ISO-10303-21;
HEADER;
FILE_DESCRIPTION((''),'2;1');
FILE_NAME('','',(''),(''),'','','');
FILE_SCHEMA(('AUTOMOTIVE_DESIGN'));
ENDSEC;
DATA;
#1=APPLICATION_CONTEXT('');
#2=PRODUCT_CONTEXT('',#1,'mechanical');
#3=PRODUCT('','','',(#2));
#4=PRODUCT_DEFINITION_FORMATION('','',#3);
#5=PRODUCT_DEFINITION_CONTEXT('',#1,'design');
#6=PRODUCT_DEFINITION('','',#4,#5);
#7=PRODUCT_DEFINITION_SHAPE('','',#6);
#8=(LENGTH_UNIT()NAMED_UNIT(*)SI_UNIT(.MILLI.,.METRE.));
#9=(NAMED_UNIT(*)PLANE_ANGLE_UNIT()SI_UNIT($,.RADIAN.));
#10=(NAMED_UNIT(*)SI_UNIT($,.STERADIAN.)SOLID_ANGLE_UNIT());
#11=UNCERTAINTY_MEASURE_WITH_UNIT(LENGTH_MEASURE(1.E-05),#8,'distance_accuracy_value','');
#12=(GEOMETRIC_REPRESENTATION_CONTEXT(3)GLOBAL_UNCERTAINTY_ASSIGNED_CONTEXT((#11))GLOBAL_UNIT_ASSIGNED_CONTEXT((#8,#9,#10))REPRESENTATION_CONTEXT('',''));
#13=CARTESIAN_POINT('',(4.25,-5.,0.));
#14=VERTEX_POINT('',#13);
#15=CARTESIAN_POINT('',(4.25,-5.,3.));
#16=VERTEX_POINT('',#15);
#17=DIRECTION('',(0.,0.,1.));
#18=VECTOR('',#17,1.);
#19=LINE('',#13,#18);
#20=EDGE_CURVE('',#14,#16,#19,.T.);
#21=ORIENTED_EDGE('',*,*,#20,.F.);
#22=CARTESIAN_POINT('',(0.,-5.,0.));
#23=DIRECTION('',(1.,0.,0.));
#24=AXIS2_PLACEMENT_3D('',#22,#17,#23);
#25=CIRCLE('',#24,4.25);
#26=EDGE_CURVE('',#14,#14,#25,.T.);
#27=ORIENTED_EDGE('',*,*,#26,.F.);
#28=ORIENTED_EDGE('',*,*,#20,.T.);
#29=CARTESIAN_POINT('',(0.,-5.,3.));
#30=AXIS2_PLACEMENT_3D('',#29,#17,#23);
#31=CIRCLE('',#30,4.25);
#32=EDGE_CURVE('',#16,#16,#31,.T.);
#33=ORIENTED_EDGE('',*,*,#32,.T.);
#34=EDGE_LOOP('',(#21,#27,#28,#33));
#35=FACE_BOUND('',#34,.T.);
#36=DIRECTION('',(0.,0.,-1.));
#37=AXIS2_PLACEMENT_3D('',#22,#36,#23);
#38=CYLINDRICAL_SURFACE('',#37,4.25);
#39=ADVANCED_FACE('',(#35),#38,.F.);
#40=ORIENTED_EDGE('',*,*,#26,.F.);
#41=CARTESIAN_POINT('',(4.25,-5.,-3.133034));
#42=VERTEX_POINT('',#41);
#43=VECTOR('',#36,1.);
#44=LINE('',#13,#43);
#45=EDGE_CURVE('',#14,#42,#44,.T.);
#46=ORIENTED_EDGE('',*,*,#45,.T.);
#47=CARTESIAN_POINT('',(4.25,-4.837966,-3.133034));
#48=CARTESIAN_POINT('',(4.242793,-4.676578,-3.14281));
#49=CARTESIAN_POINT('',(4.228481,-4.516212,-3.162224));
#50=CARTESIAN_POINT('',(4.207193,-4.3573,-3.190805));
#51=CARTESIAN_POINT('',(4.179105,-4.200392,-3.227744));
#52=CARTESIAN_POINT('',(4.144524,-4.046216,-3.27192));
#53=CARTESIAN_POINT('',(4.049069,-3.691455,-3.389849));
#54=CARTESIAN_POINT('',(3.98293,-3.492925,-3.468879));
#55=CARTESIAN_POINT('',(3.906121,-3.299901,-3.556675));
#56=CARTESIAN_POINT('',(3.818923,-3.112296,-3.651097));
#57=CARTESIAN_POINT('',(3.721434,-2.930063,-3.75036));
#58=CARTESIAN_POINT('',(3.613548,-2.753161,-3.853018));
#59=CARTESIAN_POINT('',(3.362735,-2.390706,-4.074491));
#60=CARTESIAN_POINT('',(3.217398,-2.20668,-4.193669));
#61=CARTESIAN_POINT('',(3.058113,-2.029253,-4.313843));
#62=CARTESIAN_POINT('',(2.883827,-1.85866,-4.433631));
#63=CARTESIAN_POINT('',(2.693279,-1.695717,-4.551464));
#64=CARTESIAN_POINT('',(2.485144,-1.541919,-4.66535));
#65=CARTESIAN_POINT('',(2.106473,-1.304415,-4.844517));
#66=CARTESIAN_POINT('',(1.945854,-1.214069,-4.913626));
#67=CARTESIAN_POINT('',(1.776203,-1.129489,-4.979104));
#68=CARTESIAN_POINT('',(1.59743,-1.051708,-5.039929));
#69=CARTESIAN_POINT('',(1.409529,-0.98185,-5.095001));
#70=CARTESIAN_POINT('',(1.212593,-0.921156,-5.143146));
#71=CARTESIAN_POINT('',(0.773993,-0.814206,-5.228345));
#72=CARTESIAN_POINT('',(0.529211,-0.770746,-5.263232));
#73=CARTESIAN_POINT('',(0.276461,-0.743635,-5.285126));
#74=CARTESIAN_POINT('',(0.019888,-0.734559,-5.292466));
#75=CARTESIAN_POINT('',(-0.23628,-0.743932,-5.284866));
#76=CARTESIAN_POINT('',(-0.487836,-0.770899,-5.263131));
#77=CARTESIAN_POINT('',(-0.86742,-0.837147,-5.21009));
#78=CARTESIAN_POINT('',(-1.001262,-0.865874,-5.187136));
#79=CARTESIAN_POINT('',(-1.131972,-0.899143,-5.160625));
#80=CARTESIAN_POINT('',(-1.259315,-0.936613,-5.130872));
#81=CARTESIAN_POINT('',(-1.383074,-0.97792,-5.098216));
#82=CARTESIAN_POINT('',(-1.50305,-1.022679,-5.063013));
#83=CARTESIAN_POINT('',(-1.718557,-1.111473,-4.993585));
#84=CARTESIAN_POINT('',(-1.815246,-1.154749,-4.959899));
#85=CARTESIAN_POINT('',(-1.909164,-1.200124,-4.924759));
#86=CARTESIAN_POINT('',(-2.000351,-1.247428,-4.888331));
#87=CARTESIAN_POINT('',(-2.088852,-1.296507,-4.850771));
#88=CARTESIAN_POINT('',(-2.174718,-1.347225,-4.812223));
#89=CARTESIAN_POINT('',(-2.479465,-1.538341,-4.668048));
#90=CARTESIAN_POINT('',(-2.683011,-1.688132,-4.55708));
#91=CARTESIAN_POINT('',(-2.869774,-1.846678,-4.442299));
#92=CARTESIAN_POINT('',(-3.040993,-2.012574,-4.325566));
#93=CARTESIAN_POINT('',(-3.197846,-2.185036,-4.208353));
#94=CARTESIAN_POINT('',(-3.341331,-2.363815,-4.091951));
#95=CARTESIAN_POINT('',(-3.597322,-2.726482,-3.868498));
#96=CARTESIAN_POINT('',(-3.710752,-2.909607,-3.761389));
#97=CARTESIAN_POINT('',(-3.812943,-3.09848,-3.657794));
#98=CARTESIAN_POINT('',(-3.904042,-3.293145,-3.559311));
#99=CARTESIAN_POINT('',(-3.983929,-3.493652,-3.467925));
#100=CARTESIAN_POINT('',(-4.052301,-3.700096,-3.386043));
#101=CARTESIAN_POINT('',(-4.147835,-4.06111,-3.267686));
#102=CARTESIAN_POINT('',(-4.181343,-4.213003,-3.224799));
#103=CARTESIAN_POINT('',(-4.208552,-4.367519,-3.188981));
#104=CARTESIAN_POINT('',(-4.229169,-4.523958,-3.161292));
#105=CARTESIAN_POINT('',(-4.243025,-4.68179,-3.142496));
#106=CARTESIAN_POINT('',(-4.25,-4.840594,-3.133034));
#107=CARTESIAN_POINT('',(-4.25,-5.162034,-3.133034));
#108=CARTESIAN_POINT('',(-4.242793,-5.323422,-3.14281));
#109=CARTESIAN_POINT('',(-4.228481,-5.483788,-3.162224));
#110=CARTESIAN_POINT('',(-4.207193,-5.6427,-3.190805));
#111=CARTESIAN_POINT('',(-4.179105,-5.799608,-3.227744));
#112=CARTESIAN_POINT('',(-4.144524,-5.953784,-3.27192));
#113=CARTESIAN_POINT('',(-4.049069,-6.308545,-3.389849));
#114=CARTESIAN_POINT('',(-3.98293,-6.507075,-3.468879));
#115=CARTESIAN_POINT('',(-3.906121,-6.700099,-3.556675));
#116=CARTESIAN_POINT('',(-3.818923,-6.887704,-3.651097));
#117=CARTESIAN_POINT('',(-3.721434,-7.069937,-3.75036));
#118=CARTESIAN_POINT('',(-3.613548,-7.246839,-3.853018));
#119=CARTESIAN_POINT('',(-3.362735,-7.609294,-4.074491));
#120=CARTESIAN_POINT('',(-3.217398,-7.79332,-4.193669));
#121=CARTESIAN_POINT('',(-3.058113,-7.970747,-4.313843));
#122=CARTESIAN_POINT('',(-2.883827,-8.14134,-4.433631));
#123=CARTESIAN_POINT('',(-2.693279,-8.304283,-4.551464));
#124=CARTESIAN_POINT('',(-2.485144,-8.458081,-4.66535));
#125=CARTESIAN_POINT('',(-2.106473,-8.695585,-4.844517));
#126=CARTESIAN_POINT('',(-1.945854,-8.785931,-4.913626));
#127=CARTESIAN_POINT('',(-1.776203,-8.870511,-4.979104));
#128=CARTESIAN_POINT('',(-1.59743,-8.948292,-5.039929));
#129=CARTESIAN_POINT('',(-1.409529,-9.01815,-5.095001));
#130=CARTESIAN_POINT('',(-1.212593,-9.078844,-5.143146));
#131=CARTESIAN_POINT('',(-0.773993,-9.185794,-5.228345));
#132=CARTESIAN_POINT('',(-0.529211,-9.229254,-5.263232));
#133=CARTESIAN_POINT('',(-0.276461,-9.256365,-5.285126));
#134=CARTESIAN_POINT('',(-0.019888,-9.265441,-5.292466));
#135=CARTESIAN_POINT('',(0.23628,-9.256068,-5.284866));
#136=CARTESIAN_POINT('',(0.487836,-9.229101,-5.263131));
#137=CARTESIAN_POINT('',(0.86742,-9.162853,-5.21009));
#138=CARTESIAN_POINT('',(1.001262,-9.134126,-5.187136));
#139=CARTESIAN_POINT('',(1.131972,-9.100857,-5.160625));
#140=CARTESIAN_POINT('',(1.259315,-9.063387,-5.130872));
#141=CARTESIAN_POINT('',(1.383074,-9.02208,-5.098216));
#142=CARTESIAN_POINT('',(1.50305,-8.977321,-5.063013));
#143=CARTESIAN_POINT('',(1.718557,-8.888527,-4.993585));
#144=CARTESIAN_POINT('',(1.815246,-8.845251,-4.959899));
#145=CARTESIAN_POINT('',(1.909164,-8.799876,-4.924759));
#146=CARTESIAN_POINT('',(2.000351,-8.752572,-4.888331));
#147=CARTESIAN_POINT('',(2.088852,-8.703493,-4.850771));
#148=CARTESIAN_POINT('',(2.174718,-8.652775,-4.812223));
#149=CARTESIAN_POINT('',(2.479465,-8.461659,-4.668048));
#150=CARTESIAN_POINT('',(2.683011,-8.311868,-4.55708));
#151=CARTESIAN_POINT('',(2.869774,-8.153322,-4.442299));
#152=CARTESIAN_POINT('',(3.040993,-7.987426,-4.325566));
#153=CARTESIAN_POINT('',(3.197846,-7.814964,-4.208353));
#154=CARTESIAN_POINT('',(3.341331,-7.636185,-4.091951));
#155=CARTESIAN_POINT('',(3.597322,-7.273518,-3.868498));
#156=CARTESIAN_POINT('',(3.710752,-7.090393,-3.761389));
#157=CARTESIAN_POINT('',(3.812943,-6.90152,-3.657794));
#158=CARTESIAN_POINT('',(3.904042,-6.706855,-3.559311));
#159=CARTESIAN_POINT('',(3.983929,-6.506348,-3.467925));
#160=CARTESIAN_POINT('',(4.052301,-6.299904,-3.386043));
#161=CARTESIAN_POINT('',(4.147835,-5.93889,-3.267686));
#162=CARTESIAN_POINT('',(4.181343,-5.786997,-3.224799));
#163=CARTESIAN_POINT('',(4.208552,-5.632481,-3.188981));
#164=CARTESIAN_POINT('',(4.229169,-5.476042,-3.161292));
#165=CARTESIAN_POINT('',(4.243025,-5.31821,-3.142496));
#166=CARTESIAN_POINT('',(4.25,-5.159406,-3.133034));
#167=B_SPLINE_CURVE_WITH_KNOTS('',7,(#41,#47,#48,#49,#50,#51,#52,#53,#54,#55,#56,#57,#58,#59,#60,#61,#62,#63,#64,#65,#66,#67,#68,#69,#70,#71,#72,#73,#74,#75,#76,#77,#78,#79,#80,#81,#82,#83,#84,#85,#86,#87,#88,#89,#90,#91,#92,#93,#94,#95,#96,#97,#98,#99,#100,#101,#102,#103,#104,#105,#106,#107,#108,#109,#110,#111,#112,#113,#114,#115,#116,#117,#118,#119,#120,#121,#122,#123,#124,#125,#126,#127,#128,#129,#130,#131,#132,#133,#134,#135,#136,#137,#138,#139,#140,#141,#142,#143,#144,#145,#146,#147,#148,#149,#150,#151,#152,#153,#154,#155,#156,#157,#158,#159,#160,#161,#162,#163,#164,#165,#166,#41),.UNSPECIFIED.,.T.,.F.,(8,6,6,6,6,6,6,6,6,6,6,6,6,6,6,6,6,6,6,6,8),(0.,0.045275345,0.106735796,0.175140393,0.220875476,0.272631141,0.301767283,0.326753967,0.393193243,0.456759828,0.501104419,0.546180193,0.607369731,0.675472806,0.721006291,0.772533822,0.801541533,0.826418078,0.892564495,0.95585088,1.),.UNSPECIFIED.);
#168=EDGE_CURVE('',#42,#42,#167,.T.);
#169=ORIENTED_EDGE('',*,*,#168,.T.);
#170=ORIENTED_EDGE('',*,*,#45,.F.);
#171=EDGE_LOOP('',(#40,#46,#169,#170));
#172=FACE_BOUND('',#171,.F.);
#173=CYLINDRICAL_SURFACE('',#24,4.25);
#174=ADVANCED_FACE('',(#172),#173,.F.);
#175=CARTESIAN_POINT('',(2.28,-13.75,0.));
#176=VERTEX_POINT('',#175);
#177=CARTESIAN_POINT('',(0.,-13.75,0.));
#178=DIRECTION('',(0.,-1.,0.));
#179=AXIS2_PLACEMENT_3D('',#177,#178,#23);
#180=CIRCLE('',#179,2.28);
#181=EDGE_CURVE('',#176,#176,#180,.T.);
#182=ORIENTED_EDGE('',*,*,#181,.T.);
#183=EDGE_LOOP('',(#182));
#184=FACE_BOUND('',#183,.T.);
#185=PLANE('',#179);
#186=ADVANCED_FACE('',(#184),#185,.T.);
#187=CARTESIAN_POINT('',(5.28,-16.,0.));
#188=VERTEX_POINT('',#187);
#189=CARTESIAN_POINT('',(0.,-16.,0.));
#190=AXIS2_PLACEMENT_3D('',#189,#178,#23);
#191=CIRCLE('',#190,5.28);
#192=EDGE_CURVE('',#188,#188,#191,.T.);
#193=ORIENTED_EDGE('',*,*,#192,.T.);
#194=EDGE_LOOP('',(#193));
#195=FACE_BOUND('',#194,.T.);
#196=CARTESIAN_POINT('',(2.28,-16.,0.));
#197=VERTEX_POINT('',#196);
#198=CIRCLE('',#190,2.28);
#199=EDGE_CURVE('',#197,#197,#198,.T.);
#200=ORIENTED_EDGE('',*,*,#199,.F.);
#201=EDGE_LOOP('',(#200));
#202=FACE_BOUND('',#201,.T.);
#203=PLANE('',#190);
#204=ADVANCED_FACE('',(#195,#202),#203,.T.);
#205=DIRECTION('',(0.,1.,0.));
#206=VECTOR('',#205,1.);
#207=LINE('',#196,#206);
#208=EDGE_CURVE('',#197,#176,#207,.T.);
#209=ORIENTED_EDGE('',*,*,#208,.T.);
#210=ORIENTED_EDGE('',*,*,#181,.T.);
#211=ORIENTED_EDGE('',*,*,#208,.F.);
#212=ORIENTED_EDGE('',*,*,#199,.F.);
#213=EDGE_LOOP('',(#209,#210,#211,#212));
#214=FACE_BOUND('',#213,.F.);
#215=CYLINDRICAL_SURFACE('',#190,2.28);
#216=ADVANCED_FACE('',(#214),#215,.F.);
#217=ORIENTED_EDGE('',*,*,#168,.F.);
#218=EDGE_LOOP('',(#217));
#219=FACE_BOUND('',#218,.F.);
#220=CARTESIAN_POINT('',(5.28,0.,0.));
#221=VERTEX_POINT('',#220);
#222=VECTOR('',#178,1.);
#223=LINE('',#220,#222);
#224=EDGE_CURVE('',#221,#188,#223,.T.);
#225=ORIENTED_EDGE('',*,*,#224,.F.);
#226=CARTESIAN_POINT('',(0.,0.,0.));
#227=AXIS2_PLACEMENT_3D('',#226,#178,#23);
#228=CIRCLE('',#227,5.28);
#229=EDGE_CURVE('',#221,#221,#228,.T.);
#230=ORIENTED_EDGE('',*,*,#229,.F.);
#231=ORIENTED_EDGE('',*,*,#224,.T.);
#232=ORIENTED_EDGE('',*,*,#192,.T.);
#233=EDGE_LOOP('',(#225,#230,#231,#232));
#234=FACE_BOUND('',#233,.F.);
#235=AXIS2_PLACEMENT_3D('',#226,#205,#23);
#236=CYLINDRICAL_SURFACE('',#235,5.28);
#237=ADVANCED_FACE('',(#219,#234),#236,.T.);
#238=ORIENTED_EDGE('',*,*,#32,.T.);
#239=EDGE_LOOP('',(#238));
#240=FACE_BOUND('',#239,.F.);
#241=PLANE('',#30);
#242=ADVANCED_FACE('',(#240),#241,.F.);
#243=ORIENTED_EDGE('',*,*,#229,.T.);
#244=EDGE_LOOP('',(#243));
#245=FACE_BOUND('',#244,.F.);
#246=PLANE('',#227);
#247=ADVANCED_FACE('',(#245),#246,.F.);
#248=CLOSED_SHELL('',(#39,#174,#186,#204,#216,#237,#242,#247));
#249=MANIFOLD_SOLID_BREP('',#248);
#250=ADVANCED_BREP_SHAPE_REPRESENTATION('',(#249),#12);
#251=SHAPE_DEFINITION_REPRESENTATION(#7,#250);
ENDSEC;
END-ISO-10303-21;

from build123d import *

# Parameters (mm, degrees)
F0_R          = 5.28
F1_DEPTH      = 16
F2_R          = 2.28
F3_DEPTH      = 2.25
F4_R          = 4.25
F5_DEPTH      = 25
F5_DEPTH_BACK = 3


with BuildPart() as f1:
    # F0 (on Front) → F1 (new body)
    with BuildSketch(Plane.XZ):
        Circle(F0_R)
    extrude(amount=F1_DEPTH)

    # F2 (on face) → F3 (cut)
    with BuildSketch(Plane.XZ.offset(16)):
        Circle(F2_R)
    extrude(amount=-F3_DEPTH, mode=Mode.SUBTRACT)

    # F4 (on Top) → F5 (cut, two sides)
    with BuildSketch(Plane.XY) as f5_sk:
        with Locations((0, -5)):
            Circle(F4_R)
    extrude(amount=-F5_DEPTH, mode=Mode.SUBTRACT)
    extrude(f5_sk.sketch, amount=F5_DEPTH_BACK, mode=Mode.SUBTRACT)


solid = f1.part
